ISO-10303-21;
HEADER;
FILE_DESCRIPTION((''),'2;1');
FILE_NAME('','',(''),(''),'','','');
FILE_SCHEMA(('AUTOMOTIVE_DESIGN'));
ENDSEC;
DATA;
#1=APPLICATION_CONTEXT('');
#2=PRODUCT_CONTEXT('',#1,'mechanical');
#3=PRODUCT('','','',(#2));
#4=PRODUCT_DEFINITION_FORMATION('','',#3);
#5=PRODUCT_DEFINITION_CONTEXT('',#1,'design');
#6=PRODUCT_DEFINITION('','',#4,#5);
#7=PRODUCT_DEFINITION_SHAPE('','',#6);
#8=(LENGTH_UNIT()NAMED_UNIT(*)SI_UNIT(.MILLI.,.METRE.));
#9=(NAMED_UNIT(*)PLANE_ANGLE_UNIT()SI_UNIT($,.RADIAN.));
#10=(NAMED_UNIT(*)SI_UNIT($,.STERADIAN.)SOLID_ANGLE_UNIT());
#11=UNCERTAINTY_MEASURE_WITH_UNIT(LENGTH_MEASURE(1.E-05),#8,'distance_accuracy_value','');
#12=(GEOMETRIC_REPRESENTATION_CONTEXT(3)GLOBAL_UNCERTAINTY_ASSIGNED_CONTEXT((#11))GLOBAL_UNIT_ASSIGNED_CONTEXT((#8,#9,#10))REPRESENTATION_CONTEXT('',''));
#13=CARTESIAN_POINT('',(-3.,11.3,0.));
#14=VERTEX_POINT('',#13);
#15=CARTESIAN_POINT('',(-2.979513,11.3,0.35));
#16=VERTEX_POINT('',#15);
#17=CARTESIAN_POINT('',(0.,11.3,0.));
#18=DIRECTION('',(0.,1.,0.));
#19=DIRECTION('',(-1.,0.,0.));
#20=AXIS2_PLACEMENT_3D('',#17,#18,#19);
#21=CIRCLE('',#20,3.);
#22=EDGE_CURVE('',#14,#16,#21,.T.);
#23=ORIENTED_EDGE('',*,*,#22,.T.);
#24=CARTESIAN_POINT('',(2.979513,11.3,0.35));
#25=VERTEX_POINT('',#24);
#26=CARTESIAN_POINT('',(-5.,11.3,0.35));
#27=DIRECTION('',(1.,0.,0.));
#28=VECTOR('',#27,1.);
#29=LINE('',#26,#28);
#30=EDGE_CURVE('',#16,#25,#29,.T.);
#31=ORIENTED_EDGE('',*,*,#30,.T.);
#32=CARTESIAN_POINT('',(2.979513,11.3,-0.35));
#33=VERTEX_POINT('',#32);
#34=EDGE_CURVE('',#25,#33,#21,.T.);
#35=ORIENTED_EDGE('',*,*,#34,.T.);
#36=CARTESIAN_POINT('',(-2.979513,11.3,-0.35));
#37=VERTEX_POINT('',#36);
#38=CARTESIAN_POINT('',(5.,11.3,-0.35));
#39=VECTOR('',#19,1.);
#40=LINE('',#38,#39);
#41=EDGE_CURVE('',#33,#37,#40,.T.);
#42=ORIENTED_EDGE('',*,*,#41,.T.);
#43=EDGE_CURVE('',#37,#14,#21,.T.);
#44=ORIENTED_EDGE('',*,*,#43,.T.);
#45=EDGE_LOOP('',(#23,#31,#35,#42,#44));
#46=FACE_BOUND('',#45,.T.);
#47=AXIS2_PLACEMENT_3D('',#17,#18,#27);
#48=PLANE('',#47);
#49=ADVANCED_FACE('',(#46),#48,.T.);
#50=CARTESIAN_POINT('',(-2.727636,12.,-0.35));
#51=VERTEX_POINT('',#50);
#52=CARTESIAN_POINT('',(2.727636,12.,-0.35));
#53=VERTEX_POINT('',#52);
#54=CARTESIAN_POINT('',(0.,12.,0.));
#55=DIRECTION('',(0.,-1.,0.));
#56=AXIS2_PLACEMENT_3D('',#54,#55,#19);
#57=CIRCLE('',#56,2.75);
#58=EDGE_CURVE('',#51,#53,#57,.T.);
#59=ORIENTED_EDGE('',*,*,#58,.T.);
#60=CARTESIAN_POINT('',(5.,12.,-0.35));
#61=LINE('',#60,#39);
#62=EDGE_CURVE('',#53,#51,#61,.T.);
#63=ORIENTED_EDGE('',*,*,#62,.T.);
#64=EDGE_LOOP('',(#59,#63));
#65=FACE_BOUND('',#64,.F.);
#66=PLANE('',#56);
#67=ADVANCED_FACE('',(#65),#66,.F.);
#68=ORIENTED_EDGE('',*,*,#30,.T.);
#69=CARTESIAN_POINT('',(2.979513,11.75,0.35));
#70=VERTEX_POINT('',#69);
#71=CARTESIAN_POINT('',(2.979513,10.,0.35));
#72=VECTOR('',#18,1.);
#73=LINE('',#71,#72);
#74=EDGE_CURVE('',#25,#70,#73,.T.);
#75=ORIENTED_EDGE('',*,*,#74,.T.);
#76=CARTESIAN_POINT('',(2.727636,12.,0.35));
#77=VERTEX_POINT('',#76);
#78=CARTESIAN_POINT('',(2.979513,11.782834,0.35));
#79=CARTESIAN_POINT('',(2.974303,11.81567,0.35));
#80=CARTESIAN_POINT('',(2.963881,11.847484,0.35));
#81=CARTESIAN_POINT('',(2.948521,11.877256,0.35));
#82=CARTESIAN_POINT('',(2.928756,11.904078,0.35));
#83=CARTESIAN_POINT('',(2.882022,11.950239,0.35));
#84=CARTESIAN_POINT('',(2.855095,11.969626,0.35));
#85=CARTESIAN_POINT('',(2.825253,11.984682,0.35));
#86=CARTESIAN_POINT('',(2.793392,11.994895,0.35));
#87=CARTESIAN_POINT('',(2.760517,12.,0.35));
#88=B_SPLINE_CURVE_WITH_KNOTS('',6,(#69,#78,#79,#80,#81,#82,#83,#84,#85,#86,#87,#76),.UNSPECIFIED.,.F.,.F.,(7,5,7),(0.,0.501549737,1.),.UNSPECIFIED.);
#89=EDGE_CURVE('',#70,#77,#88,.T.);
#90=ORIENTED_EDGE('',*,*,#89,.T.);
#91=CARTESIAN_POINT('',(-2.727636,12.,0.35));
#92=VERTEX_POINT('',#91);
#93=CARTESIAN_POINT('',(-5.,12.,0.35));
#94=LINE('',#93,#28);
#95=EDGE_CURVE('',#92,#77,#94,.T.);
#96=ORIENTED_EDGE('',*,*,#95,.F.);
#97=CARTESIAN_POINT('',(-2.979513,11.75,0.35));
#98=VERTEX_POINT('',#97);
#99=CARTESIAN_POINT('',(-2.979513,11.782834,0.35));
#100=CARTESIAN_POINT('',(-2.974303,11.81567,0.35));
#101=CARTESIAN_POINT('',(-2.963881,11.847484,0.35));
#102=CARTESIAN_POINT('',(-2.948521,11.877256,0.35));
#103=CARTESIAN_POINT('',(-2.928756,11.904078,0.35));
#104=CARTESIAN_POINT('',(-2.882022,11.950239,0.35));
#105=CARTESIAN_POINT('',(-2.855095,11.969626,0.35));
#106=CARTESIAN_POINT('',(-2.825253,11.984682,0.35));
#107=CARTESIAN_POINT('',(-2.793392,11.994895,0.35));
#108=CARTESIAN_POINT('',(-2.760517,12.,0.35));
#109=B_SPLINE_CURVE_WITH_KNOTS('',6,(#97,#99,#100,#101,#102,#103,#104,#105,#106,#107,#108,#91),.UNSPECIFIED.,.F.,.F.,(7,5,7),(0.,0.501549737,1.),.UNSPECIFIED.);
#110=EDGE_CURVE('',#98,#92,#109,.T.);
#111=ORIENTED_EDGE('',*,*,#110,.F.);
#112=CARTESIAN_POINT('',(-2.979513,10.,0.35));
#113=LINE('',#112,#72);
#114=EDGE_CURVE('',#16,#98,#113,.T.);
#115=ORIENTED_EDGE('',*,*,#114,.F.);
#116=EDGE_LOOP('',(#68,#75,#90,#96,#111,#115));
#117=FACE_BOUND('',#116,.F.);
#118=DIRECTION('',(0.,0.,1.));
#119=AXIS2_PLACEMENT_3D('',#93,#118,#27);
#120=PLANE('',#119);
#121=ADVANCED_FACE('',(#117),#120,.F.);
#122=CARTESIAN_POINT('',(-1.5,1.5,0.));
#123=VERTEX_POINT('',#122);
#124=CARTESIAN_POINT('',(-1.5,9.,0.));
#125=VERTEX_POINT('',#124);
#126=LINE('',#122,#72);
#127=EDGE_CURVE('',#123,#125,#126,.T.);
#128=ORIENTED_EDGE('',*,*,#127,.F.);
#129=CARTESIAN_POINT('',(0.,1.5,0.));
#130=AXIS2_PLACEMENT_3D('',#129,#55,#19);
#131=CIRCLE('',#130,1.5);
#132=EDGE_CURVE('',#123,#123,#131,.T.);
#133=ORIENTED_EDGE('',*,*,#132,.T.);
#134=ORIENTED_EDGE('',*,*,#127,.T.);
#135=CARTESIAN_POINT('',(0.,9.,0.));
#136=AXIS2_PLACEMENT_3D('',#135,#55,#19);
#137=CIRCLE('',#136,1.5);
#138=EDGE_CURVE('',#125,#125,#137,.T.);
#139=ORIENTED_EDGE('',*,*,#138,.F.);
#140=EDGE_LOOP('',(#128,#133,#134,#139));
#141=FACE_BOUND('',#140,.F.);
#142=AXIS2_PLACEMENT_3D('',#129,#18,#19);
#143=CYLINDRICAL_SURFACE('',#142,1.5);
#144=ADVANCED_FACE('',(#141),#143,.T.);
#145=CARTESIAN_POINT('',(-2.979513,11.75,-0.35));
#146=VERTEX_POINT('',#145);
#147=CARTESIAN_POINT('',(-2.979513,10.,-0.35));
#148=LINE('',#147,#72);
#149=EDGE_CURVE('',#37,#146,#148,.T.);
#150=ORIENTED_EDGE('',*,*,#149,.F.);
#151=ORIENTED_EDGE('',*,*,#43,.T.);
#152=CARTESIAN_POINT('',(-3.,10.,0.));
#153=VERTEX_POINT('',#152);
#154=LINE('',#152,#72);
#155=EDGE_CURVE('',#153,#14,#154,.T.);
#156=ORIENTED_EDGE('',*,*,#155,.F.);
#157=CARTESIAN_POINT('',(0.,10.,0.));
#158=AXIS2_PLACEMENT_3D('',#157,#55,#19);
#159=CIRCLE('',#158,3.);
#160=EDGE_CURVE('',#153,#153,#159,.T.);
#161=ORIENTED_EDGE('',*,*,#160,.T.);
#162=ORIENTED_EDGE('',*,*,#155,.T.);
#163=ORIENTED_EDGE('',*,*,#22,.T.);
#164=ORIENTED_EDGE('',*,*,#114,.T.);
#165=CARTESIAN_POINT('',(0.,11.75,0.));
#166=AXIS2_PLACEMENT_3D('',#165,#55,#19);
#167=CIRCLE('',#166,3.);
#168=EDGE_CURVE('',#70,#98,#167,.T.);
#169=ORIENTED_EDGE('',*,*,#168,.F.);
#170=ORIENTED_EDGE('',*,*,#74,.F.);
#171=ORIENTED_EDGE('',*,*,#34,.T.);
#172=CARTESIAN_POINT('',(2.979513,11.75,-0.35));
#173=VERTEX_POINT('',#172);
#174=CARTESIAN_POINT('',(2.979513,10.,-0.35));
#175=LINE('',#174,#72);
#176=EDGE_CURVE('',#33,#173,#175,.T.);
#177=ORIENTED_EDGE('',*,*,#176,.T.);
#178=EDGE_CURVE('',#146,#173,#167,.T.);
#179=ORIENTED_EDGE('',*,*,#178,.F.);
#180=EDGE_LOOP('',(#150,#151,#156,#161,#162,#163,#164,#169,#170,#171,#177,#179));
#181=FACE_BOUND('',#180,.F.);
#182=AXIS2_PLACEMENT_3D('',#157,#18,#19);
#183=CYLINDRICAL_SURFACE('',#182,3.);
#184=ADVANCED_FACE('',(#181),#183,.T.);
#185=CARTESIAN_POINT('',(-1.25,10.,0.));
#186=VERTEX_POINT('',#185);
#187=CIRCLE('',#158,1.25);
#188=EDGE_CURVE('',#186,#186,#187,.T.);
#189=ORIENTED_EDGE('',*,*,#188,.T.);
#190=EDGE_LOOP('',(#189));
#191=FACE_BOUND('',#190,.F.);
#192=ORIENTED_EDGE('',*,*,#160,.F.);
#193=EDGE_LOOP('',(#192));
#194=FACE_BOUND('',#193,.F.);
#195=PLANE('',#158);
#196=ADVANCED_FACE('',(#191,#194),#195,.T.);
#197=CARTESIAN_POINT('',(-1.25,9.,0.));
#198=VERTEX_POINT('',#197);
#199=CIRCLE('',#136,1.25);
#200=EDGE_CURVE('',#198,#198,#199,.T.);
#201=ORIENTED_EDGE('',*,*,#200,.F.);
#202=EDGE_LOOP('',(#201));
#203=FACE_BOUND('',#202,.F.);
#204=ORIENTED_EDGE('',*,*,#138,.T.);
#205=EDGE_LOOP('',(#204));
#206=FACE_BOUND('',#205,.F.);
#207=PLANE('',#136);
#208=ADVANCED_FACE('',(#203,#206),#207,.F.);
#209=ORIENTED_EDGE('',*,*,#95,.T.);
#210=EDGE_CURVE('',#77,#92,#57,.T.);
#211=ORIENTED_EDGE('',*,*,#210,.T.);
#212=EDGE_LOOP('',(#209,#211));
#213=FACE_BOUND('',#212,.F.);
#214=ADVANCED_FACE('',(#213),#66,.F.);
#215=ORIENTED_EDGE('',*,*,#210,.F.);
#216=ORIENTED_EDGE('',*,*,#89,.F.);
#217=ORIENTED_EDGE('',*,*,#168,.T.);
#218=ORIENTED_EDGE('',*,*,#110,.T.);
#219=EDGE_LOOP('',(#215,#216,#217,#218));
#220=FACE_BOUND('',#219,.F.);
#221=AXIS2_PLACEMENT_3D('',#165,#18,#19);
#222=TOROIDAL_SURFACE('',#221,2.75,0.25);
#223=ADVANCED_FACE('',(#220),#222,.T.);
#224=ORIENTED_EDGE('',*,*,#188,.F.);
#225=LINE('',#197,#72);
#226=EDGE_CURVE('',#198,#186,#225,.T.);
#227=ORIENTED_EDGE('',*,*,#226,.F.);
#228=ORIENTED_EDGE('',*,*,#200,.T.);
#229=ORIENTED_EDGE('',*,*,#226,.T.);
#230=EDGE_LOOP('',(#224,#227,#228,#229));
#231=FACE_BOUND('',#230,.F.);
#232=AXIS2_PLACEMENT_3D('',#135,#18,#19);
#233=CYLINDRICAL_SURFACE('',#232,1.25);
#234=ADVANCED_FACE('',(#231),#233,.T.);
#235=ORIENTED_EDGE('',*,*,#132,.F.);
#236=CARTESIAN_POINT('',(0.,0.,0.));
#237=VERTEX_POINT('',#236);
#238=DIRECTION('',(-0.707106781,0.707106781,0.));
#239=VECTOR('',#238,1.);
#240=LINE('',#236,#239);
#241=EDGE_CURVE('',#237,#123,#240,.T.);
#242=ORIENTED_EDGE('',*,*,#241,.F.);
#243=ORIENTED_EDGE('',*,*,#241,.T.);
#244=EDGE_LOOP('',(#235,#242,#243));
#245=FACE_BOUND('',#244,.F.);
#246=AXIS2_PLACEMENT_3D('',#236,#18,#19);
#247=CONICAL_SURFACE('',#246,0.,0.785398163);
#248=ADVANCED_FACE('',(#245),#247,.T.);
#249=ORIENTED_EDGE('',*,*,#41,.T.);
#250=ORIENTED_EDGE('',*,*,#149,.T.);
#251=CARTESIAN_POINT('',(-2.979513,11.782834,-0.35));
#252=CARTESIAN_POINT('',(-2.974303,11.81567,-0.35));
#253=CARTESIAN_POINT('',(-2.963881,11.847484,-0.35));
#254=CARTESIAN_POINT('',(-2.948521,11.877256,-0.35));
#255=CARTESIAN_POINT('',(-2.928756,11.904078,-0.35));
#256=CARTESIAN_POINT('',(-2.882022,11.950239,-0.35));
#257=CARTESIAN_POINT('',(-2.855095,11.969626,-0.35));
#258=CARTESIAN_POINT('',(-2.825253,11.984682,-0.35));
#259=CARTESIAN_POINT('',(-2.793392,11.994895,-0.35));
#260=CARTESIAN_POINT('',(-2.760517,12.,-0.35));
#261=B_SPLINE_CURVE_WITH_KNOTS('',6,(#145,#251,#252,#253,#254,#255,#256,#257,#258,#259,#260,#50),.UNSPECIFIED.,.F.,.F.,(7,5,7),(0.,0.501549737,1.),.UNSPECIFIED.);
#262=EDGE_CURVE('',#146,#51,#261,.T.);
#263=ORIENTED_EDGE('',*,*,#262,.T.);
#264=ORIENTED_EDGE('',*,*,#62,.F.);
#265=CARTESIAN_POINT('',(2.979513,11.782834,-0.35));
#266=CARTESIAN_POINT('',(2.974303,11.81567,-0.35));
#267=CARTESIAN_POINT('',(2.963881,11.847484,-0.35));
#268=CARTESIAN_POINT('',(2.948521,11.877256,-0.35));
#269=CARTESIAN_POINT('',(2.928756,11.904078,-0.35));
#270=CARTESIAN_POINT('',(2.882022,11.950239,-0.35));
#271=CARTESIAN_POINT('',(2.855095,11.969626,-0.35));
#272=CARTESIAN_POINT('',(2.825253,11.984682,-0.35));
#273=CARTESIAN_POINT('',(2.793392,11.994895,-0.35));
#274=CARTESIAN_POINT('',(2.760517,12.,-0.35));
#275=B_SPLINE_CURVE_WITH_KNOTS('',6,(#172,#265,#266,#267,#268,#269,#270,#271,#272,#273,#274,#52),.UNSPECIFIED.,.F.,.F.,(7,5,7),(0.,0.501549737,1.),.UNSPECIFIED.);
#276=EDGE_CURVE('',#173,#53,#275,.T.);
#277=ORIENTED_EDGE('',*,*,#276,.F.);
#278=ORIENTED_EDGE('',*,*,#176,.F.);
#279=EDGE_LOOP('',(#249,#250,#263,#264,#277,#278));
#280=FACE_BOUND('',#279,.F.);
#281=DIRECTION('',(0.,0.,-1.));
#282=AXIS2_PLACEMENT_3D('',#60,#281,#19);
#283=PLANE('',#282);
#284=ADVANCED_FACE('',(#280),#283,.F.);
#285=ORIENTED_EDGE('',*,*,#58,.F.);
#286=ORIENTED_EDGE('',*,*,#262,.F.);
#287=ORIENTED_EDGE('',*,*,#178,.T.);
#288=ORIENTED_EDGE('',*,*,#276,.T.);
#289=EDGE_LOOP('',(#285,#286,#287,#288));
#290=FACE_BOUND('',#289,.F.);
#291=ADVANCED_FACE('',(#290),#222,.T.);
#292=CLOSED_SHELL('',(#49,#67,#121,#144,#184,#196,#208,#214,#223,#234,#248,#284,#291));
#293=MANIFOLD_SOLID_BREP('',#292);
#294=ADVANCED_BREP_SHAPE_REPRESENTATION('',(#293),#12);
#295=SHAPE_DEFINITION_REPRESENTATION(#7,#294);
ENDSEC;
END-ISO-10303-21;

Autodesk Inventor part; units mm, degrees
ref_plane "YZ Plane" through (0, 0, 0) normal (1, 0, 0) x (0, 1, 0)
ref_plane "XZ Plane" through (0, 0, 0) normal (0, 1, 0) x (-1, 0, 0)
ref_plane "XY Plane" through (0, 0, 0) normal (0, 0, 1) x (1, 0, 0)
sketch "Sketch1" plane through (0, 0, 0) normal (0, 0, 1) x (1, 0, 0)
  line L0 (0, 0) -> (-1.5, 1.5)
  line L1 (-1.5, 1.5) -> (-1.5, 9)
  line L2 (-1.5, 9) -> (-1.25, 9)
  line L3 (-1.25, 9) -> (-1.25, 10)
  line L4 (-1.25, 10) -> (-3, 10)
  line L5 (-3, 10) -> (-3, 12)
  line L6 (-3, 12) -> (0, 12)
  line L7 (0, 12) -> (0, 0)
  dimension "d0" = 2
  dimension "d1" = 3
  dimension "d2" = 1.5
  dimension "d3" = 0.25
  dimension "d4" = 1
  dimension "d5" = 12
  dimension "d6" = 45
revolve "Revolution1" add sketch "Sketch1" angle 360 about axis through (0, 12, 0) along (0, -1, 0)
thread "Thread1" size "M3x0.35" class "6g" standard "ANSI Metric M Profile" length 27
sketch "Sketch2" plane through (0, 12, 0) normal (0, 1, 0) x (1, 0, 0)
  line L0 (5, 0.35) -> (-5, 0.35)
  line L1 (-5, 0.35) -> (-5, -0.35)
  line L2 (-5, -0.35) -> (5, -0.35)
  line L3 (5, -0.35) -> (5, 0.35)
  line L4 (5, 0.35) -> (-5, -0.35) construction
  line L5 (-5, 0.35) -> (5, -0.35) construction
  point P0 (0, 0)
  dimension "d10" = 10
  dimension "d11" = 0.7
fillet "Fillet1" radius 0.25 1 edges at (3, 12, 0)
extrude "Extrusion2" cut sketch "Sketch2" against normal blind 0.7
properties part number "Screw-M3-Fine-GapSet-2" material "Brass, Soft Yellow"
